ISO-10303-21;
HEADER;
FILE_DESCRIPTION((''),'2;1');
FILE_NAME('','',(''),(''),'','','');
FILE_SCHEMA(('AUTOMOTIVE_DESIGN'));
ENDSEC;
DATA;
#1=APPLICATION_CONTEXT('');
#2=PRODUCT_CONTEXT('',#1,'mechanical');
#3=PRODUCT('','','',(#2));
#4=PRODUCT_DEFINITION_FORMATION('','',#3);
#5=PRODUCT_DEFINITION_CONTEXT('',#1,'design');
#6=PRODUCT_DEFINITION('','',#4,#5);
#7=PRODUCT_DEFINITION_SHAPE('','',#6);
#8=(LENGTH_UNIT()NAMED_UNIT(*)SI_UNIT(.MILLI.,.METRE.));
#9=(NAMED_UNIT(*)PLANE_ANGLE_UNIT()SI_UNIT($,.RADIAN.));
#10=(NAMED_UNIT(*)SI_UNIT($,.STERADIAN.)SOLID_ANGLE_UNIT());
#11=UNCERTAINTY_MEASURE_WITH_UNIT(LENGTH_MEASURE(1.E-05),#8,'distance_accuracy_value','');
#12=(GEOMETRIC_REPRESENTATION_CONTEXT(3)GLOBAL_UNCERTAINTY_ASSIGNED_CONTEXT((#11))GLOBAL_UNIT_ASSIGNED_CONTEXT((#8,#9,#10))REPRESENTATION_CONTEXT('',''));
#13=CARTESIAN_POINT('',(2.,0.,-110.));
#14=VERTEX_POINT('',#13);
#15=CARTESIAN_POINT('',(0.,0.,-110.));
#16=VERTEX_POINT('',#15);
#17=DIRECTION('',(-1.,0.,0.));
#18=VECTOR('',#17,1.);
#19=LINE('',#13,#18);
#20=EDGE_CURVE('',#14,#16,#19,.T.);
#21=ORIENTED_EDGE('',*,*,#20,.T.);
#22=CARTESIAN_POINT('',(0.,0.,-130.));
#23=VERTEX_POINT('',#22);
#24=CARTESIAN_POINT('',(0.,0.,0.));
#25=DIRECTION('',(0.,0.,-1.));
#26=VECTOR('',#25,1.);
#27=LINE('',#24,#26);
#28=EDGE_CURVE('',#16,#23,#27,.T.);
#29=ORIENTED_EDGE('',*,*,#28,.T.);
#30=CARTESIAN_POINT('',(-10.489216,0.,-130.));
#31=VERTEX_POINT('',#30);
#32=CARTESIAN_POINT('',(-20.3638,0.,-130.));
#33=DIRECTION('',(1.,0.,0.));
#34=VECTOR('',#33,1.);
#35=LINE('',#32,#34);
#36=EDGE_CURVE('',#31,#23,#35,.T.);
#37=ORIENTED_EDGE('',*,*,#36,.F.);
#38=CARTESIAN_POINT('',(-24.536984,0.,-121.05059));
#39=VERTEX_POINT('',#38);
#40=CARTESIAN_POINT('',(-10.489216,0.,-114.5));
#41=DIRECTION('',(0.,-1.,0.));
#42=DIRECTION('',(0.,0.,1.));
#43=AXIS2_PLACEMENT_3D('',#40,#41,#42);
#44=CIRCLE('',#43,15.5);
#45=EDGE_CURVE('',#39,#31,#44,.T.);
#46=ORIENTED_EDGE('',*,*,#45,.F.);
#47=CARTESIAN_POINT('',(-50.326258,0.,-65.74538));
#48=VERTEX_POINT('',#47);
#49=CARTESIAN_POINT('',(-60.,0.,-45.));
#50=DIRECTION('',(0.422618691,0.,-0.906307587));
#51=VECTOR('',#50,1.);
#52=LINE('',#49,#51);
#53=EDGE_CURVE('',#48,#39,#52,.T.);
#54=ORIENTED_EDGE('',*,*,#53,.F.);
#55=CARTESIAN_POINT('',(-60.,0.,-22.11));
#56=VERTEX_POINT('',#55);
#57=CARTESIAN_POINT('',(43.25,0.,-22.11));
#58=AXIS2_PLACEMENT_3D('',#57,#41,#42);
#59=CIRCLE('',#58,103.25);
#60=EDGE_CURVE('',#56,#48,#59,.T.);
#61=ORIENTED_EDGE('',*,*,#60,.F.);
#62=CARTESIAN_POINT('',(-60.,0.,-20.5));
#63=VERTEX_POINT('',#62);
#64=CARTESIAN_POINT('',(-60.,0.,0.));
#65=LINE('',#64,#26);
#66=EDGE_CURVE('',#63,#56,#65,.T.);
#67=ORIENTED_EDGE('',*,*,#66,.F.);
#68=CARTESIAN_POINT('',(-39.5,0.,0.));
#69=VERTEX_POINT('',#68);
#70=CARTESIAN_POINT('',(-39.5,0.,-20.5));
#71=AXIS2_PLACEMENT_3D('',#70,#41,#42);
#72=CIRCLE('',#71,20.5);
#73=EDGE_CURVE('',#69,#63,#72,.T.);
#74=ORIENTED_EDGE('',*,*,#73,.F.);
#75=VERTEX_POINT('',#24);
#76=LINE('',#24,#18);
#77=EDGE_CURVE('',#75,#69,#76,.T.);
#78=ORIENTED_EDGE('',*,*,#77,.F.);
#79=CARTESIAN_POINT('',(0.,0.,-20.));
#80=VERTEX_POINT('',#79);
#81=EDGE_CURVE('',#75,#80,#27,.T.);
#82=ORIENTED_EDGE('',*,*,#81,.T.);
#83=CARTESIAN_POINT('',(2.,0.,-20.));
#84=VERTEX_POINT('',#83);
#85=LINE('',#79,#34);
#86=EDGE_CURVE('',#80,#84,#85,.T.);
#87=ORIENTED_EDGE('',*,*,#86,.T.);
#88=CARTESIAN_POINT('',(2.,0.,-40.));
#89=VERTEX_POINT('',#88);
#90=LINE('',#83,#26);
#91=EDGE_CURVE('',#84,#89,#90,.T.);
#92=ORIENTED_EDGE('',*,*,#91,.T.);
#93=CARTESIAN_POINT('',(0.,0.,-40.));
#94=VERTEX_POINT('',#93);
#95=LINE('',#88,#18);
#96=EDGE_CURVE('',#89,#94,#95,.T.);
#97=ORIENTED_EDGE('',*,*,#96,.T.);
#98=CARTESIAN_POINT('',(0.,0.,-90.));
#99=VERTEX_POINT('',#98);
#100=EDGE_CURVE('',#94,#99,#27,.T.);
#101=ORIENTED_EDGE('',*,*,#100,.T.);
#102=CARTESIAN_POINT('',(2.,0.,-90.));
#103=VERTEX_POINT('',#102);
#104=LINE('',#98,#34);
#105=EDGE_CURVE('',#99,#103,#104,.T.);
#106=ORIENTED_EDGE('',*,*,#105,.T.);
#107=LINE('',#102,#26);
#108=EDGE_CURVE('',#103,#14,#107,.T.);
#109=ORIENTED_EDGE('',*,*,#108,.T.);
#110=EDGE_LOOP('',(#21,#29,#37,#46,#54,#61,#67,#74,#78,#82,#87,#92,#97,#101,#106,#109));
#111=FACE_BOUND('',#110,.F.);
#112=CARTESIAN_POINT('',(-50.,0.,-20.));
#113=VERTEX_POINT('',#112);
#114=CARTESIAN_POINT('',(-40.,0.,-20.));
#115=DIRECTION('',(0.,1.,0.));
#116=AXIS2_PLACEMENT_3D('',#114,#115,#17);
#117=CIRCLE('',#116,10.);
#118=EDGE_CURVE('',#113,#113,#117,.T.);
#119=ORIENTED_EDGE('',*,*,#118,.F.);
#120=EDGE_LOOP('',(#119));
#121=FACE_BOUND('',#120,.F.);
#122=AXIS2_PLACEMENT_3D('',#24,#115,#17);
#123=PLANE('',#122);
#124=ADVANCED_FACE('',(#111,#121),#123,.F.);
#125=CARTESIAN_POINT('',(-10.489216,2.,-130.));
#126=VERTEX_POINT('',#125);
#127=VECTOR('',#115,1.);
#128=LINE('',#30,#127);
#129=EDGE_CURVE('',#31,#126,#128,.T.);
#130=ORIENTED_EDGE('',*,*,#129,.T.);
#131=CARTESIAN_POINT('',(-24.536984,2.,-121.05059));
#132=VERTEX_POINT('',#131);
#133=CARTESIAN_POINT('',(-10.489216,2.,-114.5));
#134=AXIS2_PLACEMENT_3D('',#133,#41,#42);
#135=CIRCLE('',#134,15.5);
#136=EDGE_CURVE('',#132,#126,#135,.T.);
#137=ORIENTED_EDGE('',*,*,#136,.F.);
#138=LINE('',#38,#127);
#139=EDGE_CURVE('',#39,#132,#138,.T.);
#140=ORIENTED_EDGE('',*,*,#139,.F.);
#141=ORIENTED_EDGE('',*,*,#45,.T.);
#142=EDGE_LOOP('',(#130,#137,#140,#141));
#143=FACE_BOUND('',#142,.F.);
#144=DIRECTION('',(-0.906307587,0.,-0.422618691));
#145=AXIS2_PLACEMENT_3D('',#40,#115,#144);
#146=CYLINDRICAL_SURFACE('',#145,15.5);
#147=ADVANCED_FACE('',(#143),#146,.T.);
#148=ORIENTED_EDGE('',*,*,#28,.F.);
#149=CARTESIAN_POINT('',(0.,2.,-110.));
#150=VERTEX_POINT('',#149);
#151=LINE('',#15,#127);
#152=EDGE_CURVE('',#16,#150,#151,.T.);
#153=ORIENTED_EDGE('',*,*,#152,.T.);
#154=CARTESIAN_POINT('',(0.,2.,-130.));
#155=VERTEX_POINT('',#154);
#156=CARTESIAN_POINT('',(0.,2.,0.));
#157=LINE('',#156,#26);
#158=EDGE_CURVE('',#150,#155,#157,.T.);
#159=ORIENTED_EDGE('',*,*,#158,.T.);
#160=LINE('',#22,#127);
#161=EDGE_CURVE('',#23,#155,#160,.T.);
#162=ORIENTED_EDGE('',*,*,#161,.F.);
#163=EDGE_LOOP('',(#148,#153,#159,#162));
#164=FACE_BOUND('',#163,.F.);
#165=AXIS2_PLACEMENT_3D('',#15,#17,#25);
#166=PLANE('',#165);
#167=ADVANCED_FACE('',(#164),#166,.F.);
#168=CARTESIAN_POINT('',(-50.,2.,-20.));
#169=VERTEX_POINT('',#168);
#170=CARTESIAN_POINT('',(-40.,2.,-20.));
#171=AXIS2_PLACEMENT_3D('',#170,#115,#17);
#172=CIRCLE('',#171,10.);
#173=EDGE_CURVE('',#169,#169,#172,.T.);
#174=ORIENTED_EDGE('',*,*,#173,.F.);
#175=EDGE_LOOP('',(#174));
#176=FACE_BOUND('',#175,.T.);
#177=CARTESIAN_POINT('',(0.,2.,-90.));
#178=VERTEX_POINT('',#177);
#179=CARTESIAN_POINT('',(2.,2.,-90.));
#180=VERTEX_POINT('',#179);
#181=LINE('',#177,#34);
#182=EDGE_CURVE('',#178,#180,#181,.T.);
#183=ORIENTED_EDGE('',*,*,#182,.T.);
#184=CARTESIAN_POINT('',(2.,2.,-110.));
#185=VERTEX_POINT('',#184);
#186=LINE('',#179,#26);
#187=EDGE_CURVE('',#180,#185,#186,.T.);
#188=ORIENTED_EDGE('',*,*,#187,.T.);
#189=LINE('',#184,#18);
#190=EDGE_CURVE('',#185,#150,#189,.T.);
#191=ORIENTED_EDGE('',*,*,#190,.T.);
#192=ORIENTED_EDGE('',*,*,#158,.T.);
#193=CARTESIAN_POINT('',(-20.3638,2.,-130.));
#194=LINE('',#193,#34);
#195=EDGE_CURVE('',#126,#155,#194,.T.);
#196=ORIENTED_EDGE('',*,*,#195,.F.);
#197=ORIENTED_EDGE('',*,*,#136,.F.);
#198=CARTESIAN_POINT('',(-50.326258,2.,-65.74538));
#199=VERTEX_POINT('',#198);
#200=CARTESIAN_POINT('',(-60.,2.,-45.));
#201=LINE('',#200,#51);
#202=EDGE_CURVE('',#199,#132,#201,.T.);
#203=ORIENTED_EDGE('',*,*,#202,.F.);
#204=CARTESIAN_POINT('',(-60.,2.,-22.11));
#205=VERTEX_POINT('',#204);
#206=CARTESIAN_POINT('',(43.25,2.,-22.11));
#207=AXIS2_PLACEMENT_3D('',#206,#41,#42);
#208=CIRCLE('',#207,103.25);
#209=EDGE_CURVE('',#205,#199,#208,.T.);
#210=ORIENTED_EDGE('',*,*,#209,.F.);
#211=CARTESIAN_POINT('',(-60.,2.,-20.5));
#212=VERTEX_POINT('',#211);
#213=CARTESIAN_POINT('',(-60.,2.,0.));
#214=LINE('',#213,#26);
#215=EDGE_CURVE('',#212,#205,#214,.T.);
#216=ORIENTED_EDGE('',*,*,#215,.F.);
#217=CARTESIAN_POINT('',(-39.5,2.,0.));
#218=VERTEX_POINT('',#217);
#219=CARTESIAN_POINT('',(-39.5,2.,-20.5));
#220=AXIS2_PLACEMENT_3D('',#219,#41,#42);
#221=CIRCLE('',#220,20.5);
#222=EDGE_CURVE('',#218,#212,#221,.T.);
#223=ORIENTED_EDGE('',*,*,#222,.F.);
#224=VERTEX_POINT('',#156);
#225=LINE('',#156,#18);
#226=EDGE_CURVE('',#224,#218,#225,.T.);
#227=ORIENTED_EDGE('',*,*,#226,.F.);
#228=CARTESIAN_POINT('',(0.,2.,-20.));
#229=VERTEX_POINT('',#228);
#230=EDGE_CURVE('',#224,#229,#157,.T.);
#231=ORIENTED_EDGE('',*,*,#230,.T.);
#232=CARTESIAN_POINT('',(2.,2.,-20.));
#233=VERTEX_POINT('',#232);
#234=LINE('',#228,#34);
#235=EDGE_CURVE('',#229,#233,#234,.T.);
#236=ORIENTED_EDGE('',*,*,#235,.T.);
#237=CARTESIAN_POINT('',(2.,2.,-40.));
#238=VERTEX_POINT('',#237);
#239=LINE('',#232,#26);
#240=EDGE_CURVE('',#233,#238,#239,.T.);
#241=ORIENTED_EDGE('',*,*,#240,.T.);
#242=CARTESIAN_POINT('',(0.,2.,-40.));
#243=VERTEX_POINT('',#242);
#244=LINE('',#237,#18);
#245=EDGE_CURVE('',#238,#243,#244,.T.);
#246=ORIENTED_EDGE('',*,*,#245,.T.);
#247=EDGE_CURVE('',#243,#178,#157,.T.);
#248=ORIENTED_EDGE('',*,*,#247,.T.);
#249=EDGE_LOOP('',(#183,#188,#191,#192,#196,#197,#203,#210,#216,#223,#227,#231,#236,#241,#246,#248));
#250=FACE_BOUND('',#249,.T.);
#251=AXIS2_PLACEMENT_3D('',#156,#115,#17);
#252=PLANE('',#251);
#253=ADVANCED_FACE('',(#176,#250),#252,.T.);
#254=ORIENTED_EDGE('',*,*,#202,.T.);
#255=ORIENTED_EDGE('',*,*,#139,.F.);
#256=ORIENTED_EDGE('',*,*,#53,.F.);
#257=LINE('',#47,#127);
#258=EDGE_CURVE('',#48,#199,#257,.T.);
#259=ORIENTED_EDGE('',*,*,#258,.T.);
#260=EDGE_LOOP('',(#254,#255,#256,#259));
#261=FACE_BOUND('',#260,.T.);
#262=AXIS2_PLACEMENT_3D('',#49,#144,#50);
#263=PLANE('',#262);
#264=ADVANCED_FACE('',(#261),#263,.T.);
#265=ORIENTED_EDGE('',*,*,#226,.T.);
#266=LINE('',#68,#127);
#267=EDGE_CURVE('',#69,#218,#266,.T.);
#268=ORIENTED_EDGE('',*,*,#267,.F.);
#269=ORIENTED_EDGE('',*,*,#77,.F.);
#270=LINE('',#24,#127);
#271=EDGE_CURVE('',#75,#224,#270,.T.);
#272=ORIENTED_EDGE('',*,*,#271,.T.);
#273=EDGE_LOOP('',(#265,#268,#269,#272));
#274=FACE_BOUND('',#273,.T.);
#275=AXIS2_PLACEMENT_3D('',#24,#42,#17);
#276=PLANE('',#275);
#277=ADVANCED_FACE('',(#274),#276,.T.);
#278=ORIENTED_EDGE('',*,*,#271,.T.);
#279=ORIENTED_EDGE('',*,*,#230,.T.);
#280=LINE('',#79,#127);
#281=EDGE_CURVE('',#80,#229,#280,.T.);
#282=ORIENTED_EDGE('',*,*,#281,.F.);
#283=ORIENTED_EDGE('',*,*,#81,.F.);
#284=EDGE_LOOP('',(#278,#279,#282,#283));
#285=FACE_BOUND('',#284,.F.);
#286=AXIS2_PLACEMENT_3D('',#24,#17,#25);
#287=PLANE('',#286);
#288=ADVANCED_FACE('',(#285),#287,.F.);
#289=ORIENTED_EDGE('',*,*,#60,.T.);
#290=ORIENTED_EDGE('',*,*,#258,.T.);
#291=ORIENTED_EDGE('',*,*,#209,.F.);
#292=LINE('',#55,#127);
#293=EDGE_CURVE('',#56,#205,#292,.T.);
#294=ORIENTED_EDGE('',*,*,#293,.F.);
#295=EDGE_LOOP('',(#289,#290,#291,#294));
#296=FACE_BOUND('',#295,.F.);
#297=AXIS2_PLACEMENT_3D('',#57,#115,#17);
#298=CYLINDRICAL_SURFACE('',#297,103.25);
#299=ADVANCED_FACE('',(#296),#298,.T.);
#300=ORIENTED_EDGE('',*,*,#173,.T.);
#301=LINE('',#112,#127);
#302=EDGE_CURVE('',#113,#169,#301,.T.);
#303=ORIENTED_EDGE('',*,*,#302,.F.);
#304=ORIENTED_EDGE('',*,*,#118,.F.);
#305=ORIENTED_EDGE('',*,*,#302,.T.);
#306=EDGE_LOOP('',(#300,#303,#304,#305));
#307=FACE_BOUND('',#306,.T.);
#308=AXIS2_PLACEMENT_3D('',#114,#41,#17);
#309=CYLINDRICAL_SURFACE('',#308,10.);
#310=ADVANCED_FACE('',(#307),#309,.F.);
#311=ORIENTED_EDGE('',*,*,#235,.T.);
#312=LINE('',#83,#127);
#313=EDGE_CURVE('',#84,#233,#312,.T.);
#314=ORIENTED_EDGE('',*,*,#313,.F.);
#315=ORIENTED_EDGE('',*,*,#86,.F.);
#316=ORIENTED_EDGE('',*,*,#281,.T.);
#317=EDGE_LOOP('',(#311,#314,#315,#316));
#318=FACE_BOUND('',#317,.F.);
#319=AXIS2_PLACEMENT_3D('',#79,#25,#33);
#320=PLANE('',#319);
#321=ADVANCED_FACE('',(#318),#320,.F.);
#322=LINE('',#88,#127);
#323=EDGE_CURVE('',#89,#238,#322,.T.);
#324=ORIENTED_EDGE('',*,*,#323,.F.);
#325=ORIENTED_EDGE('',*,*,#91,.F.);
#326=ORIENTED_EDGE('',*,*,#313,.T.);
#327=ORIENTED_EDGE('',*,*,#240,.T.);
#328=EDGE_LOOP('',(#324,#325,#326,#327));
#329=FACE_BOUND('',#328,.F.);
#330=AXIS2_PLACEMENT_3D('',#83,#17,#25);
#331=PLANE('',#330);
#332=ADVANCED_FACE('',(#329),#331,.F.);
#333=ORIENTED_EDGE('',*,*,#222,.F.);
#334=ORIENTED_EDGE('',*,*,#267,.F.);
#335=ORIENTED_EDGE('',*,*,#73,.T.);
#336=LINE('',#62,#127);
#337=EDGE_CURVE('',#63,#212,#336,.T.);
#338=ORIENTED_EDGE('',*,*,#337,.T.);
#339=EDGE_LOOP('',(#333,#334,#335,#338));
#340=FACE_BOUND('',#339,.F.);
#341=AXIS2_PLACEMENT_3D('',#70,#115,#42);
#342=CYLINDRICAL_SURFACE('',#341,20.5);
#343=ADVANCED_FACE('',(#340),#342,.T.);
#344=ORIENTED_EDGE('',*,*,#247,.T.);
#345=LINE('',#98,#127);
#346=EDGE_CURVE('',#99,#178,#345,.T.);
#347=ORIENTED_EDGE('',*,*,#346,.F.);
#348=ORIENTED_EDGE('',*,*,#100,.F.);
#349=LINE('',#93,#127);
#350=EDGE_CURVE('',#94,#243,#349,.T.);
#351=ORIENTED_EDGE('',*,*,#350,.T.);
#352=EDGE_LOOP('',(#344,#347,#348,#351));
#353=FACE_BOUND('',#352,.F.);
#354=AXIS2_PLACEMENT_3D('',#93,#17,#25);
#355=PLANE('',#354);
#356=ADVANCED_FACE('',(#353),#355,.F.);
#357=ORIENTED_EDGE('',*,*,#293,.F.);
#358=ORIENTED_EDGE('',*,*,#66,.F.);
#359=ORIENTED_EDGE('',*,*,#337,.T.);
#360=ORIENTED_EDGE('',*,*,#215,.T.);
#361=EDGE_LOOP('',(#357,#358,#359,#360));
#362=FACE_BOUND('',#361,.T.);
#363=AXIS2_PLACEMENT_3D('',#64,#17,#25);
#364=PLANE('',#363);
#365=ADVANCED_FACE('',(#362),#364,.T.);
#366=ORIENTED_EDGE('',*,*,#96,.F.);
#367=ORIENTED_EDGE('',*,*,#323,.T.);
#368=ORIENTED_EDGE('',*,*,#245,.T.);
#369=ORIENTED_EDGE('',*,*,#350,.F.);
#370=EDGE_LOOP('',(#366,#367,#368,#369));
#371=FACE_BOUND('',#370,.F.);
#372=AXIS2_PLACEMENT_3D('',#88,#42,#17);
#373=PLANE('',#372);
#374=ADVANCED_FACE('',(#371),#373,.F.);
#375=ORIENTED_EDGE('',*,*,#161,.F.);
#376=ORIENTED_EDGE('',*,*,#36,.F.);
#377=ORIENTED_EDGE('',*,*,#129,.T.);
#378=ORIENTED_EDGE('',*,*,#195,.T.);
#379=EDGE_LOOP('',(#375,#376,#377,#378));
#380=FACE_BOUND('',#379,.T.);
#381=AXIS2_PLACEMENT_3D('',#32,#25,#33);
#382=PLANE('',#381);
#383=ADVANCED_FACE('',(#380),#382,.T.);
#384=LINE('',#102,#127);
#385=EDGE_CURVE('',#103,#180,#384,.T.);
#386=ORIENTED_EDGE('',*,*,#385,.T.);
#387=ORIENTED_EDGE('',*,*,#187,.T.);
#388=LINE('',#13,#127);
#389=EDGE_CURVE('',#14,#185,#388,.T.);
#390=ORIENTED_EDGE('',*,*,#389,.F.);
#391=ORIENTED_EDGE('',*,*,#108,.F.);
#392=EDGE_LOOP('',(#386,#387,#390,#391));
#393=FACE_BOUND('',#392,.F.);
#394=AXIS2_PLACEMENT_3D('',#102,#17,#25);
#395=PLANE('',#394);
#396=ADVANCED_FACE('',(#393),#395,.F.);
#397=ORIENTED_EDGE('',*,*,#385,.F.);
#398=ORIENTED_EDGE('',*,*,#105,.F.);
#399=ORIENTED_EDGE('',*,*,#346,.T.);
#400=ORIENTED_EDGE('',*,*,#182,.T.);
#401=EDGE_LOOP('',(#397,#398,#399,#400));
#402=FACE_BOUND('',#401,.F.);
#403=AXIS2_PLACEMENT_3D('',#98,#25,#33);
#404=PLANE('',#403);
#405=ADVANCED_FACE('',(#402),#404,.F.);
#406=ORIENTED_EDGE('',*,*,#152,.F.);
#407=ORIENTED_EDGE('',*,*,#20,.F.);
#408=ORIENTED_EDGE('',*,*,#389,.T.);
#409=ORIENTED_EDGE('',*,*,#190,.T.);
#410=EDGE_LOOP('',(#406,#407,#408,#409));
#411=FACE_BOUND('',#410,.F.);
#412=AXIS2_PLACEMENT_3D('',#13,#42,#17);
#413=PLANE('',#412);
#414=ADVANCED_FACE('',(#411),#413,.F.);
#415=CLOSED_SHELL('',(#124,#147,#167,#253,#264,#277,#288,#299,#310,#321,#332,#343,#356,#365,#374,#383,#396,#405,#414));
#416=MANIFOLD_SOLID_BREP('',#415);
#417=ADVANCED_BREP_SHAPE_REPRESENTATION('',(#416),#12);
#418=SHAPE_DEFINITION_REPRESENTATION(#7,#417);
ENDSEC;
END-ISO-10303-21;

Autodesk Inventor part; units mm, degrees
ref_plane "YZ Plane" through (0, 0, 0) normal (1, 0, 0) x (0, 1, 0)
ref_plane "XZ Plane" through (0, 0, 0) normal (0, 1, 0) x (-1, 0, 0)
ref_plane "XY Plane" through (0, 0, 0) normal (0, 0, 1) x (1, 0, 0)
sketch "Sketch1" plane through (0, 0, 0) normal (0, 1, 0) x (-1, 0, 0)
  line L0 (0, 0) -> (60, 0)
  line L1 (60, 0) -> (60, -45)
  line L2 (60, -45) -> (20.3638, -130)
  line L3 (20.3638, -130) -> (0, -130)
  line L4 (0, 0) -> (0, -130)
  circle A0 centre (40, -20) radius 10
  line L5 (0, -20) -> (-2, -20)
  line L6 (-2, -20) -> (-2, -40)
  line L7 (-2, -40) -> (0, -40)
  line L8 (0, -40) -> (0, -20)
  line L9 (0, -90) -> (-2, -90)
  line L10 (-2, -90) -> (-2, -110)
  line L11 (-2, -110) -> (0, -110)
  line L12 (0, -110) -> (0, -90)
  dimension "d0" = 45
  dimension "d1" = 40
  dimension "d2" = 20
  dimension "d3" = 20
  dimension "d4" = 130
  dimension "d5" = 20
  dimension "d10" = 25
  dimension "d11" = 2
  dimension "d12" = 2
  dimension "d13" = 20
  dimension "d14" = 20
  dimension "d15" = 20
  dimension "d16" = 20
extrude "Plate1" add sketch "Sketch1" along normal blind 2
fillet "Fillet1" radius 20.5 1 edges at (-60, 1, 0)
fillet "Fillet2" radius 103.25 1 edges at (-60, 1, -45)
fillet "Fillet3" radius 15.5 1 edges at (-20.3638, 1, -130)
equation "\"d6\" = Thickness"
equation "\"BendRadius\" = Thickness"
equation "\"BendReliefWidth\" = Thickness"
equation "\"BendReliefDepth\" = 0.5 * Thickness"
equation "\"CornerReliefSize\" = 4 * Thickness"
equation "\"MinimumRemnant\" = 2 * Thickness"
equation "\"TransitionRadius\" = BendRadius"
equation "\"JacobiRadiusSize\" = BendRadius"
equation "\"GapSize\" = Thickness"
equation "\"Thickness\" = 2"
properties part number "Beslag_stempel"
